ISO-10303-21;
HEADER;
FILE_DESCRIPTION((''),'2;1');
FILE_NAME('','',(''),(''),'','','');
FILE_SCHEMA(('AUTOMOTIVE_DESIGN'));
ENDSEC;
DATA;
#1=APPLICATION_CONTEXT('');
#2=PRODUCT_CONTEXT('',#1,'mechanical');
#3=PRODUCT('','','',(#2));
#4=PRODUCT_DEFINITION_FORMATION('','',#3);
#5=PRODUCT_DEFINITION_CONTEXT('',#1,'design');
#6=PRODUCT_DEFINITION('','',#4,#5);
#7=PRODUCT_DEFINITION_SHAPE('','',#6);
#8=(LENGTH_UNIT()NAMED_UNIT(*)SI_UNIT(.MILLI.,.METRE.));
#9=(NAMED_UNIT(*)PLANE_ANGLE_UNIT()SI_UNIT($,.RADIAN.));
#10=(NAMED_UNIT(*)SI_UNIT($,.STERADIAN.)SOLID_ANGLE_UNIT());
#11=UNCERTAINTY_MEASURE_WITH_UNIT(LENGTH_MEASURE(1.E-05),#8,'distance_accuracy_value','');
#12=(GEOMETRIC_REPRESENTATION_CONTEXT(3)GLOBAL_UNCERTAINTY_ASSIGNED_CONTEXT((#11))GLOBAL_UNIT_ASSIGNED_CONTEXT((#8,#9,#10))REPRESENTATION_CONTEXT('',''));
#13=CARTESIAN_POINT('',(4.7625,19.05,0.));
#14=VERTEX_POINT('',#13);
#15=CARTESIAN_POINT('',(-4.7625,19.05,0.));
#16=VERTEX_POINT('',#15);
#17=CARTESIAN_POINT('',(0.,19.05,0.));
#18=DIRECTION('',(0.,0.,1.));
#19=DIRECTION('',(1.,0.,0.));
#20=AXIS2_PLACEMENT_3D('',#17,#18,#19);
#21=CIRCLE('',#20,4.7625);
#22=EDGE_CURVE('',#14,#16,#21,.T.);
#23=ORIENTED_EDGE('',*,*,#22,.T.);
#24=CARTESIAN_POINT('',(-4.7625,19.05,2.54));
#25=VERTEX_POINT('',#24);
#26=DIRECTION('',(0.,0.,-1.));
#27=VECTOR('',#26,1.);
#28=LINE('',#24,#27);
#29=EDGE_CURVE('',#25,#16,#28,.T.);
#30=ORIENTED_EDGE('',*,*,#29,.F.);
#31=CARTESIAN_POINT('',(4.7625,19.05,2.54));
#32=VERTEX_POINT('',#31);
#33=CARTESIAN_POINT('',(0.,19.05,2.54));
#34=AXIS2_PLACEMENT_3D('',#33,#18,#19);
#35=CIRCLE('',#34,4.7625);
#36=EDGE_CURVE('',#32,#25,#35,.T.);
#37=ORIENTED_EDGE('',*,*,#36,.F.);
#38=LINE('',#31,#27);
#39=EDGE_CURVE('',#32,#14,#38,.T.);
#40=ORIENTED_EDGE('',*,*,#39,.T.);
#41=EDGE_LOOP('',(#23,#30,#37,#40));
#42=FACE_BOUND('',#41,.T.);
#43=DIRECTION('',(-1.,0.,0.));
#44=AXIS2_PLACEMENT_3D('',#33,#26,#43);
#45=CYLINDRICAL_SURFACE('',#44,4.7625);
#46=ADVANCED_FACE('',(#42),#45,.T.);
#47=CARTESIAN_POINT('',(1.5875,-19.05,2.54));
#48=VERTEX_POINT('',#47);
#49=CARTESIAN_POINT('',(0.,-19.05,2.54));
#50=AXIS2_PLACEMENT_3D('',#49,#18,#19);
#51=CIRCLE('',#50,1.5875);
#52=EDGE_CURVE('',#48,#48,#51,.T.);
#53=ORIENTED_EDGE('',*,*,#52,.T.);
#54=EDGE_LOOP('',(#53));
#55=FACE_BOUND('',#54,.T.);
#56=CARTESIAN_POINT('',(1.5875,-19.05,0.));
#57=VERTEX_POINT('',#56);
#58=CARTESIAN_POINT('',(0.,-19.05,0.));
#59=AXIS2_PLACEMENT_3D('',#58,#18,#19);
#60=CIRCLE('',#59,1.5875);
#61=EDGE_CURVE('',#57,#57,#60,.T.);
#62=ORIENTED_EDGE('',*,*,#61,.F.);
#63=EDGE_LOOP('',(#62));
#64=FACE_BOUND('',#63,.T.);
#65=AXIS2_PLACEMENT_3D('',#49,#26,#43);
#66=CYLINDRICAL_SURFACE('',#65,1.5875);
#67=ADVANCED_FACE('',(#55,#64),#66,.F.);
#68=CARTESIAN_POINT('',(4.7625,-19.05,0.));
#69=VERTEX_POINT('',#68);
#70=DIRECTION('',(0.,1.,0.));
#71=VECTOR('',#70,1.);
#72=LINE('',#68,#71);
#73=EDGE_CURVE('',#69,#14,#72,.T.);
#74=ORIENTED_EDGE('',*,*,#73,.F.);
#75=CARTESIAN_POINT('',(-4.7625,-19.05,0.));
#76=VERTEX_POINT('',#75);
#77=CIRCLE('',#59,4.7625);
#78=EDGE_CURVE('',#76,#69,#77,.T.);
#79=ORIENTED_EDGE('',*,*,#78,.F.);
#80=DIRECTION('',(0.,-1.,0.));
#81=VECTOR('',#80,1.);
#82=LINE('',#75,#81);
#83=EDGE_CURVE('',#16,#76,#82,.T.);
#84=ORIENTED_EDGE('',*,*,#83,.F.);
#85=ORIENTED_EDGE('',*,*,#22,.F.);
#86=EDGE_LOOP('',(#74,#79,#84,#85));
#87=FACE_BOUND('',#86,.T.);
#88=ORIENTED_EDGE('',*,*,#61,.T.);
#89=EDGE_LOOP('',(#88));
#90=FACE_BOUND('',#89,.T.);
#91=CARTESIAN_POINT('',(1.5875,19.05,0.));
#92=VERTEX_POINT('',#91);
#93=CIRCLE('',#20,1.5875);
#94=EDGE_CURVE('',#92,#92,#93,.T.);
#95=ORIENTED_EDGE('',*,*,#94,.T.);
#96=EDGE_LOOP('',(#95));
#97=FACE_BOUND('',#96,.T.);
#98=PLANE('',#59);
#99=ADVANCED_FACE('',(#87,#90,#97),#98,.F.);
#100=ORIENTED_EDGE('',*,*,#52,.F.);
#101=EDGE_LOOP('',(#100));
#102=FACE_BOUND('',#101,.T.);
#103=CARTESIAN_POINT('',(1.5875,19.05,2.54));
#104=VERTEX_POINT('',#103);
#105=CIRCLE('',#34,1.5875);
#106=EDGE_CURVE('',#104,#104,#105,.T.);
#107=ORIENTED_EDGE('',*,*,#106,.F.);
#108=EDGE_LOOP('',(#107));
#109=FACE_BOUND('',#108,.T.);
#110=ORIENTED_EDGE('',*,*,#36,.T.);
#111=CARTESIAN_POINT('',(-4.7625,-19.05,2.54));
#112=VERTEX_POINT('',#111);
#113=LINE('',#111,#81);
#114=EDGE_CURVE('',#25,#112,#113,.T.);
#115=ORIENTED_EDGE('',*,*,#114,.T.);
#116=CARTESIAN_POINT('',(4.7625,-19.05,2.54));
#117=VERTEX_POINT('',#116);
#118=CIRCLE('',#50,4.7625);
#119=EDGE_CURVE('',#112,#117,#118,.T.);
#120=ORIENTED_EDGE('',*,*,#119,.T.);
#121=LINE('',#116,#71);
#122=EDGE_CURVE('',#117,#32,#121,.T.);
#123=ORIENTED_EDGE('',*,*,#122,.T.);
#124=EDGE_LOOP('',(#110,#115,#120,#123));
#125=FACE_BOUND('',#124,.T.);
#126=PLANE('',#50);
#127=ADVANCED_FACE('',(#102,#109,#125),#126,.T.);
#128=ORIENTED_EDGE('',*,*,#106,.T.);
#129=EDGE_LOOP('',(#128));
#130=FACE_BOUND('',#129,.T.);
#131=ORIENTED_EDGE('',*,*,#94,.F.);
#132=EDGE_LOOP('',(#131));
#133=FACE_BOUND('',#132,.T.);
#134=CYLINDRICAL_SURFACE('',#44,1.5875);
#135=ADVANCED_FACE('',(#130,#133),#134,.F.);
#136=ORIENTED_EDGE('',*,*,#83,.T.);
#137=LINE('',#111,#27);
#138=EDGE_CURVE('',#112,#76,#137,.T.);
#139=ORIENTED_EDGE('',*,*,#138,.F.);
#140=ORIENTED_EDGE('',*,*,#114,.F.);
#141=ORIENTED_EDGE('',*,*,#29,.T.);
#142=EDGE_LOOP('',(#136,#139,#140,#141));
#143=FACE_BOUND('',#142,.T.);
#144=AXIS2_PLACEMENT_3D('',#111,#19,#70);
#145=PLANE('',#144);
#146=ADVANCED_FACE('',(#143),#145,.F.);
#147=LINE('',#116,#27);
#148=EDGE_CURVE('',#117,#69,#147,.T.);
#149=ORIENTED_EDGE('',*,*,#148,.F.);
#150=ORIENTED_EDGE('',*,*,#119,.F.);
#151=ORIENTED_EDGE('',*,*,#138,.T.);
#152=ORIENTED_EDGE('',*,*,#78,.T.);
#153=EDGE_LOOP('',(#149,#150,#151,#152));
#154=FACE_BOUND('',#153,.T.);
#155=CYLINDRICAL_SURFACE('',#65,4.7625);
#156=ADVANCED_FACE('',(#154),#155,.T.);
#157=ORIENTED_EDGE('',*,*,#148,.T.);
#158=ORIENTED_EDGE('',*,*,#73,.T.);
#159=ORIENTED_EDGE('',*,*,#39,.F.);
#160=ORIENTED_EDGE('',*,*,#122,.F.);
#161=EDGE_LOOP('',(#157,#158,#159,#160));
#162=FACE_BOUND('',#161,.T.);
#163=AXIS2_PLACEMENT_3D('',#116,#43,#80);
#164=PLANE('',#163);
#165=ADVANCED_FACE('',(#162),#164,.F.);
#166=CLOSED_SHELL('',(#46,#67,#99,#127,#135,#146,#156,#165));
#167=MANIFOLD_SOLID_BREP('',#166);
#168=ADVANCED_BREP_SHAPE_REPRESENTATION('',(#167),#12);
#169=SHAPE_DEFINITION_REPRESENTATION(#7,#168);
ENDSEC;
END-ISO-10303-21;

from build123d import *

# Parameters (mm, degrees)
SKETCH1_R           = 1.5875
BOSS_EXTRUDE1_DEPTH = 2.54


with BuildPart() as part:
    # Sketch1 → Boss-Extrude1 (new body)
    with BuildSketch(Plane.XY):
        with BuildLine():
            Line((-4.7625, -19.05), (-4.7625, 19.05))
            ThreePointArc((-4.7625, 19.05), (0, 23.8125), (4.7625, 19.05))
            Line((4.7625, 19.05), (4.7625, -19.05))
            ThreePointArc((4.7625, -19.05), (0, -23.8125), (-4.7625, -19.05))
        make_face()
        with Locations((0, 19.05)):
            Circle(SKETCH1_R, mode=Mode.SUBTRACT)
        with Locations((0, -19.05)):
            Circle(SKETCH1_R, mode=Mode.SUBTRACT)
    extrude(amount=BOSS_EXTRUDE1_DEPTH)


solid = part.part
